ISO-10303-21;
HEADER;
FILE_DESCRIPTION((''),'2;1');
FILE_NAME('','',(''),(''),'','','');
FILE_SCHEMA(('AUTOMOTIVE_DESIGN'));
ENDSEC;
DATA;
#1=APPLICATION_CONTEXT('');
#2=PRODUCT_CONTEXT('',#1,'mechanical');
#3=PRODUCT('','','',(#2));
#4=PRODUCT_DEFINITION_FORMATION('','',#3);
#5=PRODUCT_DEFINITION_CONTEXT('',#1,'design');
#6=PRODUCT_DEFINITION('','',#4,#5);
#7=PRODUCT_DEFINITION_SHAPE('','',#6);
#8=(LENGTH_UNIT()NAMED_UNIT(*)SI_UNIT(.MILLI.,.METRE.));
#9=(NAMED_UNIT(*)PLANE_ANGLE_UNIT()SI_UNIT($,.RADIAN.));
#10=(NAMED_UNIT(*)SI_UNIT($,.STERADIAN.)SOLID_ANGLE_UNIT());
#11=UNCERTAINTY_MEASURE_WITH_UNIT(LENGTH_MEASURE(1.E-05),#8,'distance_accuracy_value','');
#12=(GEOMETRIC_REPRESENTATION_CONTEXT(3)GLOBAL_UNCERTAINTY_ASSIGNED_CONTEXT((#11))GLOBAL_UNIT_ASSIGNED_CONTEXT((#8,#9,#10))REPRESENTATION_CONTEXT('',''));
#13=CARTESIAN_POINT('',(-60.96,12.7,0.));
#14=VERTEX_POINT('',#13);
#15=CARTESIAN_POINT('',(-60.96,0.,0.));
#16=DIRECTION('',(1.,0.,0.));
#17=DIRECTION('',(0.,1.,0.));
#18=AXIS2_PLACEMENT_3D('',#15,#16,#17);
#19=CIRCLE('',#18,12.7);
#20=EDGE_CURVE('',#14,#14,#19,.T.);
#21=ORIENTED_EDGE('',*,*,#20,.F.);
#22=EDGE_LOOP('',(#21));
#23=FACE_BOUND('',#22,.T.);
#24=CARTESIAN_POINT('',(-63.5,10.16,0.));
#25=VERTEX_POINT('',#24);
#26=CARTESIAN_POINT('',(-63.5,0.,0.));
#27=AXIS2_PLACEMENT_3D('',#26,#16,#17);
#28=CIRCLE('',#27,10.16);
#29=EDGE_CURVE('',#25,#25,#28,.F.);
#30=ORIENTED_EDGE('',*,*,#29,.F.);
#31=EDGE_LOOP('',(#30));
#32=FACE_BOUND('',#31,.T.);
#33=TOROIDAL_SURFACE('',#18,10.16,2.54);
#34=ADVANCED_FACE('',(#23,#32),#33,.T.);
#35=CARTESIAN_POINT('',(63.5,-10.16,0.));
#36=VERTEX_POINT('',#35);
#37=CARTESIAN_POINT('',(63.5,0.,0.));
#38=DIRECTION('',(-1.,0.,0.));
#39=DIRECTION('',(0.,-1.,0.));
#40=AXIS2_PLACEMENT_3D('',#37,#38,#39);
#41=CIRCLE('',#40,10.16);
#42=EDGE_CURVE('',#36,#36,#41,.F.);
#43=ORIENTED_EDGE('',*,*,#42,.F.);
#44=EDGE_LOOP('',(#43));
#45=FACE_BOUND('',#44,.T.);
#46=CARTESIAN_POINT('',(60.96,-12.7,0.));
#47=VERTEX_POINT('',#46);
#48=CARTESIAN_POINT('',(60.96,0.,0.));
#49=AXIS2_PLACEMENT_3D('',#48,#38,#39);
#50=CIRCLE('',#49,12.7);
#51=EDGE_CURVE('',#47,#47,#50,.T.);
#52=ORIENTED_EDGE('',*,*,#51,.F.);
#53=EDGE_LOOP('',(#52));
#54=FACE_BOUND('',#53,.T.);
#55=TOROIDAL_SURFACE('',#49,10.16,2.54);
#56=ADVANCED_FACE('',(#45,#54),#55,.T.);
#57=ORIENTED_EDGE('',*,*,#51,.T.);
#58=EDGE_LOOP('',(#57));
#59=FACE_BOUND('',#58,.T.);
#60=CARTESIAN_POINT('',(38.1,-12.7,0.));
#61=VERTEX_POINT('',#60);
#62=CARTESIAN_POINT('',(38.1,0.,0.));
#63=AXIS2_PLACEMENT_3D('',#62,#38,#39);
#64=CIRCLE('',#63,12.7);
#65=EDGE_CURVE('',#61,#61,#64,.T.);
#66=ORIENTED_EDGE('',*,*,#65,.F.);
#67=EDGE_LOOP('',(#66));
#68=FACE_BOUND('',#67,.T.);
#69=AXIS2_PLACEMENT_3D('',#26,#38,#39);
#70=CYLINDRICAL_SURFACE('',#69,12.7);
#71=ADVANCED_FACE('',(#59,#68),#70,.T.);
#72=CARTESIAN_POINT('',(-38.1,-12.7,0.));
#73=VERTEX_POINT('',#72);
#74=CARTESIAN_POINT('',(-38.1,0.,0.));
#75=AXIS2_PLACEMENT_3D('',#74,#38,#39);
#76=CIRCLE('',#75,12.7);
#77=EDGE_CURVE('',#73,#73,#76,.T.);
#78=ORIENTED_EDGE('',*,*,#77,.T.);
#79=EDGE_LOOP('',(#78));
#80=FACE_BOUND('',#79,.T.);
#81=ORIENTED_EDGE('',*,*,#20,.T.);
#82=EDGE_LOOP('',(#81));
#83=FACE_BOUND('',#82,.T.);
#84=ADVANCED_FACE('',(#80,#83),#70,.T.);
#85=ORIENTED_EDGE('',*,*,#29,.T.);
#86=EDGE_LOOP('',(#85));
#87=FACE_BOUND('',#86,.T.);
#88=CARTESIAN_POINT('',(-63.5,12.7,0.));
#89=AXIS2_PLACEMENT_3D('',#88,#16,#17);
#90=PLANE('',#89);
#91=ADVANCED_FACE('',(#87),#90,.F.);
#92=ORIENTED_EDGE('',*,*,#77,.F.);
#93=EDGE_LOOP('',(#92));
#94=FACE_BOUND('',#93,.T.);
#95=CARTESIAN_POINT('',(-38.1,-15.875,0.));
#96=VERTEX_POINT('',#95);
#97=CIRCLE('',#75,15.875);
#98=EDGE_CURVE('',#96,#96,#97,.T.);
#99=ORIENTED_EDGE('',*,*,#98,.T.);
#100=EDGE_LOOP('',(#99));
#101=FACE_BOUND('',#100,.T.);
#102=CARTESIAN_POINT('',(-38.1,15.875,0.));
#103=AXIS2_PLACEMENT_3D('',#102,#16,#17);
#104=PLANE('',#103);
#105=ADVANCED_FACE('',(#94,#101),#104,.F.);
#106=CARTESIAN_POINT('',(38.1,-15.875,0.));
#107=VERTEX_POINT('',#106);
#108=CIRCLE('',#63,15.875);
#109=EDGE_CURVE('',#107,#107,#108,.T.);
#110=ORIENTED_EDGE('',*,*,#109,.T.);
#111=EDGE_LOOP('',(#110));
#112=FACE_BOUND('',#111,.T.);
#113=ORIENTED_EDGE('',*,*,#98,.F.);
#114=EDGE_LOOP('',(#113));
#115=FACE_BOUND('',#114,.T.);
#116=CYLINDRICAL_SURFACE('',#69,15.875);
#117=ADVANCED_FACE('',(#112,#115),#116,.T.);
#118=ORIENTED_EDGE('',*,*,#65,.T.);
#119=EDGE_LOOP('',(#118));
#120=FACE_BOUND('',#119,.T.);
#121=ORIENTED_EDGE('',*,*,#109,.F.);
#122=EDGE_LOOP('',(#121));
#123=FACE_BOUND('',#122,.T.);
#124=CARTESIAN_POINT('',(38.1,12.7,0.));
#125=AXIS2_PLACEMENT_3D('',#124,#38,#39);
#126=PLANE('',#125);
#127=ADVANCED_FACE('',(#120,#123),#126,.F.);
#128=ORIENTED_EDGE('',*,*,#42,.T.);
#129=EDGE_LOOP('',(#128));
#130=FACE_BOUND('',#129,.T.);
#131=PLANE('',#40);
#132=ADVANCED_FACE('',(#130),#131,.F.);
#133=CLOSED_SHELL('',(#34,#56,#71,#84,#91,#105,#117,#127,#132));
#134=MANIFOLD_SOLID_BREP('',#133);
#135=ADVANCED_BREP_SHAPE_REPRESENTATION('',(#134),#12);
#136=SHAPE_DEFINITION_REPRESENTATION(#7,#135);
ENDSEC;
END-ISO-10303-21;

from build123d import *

# Parameters (mm, degrees)
FILLET1_R = 2.54


with BuildPart() as part:
    # Sketch1 → Revolve2 (revolve)
    with BuildSketch(Plane.XY):
        Polygon((-63.5, 0), (63.5, 0), (63.5, 12.7), (38.1, 12.7), (38.1, 15.875), (-38.1, 15.875), (-38.1, 12.7), (-63.5, 12.7), align=None)
    revolve(axis=Axis((-63.5, 0, 0), (1, 0, 0)))

    # Fillet1
    fillet1_edges = [part.edges().sort_by_distance(p)[0] for p in [
        (-63.5, -12.7, 0),
        (63.5, -12.7, 0),
    ]]
    fillet(fillet1_edges, radius=FILLET1_R)


solid = part.part
